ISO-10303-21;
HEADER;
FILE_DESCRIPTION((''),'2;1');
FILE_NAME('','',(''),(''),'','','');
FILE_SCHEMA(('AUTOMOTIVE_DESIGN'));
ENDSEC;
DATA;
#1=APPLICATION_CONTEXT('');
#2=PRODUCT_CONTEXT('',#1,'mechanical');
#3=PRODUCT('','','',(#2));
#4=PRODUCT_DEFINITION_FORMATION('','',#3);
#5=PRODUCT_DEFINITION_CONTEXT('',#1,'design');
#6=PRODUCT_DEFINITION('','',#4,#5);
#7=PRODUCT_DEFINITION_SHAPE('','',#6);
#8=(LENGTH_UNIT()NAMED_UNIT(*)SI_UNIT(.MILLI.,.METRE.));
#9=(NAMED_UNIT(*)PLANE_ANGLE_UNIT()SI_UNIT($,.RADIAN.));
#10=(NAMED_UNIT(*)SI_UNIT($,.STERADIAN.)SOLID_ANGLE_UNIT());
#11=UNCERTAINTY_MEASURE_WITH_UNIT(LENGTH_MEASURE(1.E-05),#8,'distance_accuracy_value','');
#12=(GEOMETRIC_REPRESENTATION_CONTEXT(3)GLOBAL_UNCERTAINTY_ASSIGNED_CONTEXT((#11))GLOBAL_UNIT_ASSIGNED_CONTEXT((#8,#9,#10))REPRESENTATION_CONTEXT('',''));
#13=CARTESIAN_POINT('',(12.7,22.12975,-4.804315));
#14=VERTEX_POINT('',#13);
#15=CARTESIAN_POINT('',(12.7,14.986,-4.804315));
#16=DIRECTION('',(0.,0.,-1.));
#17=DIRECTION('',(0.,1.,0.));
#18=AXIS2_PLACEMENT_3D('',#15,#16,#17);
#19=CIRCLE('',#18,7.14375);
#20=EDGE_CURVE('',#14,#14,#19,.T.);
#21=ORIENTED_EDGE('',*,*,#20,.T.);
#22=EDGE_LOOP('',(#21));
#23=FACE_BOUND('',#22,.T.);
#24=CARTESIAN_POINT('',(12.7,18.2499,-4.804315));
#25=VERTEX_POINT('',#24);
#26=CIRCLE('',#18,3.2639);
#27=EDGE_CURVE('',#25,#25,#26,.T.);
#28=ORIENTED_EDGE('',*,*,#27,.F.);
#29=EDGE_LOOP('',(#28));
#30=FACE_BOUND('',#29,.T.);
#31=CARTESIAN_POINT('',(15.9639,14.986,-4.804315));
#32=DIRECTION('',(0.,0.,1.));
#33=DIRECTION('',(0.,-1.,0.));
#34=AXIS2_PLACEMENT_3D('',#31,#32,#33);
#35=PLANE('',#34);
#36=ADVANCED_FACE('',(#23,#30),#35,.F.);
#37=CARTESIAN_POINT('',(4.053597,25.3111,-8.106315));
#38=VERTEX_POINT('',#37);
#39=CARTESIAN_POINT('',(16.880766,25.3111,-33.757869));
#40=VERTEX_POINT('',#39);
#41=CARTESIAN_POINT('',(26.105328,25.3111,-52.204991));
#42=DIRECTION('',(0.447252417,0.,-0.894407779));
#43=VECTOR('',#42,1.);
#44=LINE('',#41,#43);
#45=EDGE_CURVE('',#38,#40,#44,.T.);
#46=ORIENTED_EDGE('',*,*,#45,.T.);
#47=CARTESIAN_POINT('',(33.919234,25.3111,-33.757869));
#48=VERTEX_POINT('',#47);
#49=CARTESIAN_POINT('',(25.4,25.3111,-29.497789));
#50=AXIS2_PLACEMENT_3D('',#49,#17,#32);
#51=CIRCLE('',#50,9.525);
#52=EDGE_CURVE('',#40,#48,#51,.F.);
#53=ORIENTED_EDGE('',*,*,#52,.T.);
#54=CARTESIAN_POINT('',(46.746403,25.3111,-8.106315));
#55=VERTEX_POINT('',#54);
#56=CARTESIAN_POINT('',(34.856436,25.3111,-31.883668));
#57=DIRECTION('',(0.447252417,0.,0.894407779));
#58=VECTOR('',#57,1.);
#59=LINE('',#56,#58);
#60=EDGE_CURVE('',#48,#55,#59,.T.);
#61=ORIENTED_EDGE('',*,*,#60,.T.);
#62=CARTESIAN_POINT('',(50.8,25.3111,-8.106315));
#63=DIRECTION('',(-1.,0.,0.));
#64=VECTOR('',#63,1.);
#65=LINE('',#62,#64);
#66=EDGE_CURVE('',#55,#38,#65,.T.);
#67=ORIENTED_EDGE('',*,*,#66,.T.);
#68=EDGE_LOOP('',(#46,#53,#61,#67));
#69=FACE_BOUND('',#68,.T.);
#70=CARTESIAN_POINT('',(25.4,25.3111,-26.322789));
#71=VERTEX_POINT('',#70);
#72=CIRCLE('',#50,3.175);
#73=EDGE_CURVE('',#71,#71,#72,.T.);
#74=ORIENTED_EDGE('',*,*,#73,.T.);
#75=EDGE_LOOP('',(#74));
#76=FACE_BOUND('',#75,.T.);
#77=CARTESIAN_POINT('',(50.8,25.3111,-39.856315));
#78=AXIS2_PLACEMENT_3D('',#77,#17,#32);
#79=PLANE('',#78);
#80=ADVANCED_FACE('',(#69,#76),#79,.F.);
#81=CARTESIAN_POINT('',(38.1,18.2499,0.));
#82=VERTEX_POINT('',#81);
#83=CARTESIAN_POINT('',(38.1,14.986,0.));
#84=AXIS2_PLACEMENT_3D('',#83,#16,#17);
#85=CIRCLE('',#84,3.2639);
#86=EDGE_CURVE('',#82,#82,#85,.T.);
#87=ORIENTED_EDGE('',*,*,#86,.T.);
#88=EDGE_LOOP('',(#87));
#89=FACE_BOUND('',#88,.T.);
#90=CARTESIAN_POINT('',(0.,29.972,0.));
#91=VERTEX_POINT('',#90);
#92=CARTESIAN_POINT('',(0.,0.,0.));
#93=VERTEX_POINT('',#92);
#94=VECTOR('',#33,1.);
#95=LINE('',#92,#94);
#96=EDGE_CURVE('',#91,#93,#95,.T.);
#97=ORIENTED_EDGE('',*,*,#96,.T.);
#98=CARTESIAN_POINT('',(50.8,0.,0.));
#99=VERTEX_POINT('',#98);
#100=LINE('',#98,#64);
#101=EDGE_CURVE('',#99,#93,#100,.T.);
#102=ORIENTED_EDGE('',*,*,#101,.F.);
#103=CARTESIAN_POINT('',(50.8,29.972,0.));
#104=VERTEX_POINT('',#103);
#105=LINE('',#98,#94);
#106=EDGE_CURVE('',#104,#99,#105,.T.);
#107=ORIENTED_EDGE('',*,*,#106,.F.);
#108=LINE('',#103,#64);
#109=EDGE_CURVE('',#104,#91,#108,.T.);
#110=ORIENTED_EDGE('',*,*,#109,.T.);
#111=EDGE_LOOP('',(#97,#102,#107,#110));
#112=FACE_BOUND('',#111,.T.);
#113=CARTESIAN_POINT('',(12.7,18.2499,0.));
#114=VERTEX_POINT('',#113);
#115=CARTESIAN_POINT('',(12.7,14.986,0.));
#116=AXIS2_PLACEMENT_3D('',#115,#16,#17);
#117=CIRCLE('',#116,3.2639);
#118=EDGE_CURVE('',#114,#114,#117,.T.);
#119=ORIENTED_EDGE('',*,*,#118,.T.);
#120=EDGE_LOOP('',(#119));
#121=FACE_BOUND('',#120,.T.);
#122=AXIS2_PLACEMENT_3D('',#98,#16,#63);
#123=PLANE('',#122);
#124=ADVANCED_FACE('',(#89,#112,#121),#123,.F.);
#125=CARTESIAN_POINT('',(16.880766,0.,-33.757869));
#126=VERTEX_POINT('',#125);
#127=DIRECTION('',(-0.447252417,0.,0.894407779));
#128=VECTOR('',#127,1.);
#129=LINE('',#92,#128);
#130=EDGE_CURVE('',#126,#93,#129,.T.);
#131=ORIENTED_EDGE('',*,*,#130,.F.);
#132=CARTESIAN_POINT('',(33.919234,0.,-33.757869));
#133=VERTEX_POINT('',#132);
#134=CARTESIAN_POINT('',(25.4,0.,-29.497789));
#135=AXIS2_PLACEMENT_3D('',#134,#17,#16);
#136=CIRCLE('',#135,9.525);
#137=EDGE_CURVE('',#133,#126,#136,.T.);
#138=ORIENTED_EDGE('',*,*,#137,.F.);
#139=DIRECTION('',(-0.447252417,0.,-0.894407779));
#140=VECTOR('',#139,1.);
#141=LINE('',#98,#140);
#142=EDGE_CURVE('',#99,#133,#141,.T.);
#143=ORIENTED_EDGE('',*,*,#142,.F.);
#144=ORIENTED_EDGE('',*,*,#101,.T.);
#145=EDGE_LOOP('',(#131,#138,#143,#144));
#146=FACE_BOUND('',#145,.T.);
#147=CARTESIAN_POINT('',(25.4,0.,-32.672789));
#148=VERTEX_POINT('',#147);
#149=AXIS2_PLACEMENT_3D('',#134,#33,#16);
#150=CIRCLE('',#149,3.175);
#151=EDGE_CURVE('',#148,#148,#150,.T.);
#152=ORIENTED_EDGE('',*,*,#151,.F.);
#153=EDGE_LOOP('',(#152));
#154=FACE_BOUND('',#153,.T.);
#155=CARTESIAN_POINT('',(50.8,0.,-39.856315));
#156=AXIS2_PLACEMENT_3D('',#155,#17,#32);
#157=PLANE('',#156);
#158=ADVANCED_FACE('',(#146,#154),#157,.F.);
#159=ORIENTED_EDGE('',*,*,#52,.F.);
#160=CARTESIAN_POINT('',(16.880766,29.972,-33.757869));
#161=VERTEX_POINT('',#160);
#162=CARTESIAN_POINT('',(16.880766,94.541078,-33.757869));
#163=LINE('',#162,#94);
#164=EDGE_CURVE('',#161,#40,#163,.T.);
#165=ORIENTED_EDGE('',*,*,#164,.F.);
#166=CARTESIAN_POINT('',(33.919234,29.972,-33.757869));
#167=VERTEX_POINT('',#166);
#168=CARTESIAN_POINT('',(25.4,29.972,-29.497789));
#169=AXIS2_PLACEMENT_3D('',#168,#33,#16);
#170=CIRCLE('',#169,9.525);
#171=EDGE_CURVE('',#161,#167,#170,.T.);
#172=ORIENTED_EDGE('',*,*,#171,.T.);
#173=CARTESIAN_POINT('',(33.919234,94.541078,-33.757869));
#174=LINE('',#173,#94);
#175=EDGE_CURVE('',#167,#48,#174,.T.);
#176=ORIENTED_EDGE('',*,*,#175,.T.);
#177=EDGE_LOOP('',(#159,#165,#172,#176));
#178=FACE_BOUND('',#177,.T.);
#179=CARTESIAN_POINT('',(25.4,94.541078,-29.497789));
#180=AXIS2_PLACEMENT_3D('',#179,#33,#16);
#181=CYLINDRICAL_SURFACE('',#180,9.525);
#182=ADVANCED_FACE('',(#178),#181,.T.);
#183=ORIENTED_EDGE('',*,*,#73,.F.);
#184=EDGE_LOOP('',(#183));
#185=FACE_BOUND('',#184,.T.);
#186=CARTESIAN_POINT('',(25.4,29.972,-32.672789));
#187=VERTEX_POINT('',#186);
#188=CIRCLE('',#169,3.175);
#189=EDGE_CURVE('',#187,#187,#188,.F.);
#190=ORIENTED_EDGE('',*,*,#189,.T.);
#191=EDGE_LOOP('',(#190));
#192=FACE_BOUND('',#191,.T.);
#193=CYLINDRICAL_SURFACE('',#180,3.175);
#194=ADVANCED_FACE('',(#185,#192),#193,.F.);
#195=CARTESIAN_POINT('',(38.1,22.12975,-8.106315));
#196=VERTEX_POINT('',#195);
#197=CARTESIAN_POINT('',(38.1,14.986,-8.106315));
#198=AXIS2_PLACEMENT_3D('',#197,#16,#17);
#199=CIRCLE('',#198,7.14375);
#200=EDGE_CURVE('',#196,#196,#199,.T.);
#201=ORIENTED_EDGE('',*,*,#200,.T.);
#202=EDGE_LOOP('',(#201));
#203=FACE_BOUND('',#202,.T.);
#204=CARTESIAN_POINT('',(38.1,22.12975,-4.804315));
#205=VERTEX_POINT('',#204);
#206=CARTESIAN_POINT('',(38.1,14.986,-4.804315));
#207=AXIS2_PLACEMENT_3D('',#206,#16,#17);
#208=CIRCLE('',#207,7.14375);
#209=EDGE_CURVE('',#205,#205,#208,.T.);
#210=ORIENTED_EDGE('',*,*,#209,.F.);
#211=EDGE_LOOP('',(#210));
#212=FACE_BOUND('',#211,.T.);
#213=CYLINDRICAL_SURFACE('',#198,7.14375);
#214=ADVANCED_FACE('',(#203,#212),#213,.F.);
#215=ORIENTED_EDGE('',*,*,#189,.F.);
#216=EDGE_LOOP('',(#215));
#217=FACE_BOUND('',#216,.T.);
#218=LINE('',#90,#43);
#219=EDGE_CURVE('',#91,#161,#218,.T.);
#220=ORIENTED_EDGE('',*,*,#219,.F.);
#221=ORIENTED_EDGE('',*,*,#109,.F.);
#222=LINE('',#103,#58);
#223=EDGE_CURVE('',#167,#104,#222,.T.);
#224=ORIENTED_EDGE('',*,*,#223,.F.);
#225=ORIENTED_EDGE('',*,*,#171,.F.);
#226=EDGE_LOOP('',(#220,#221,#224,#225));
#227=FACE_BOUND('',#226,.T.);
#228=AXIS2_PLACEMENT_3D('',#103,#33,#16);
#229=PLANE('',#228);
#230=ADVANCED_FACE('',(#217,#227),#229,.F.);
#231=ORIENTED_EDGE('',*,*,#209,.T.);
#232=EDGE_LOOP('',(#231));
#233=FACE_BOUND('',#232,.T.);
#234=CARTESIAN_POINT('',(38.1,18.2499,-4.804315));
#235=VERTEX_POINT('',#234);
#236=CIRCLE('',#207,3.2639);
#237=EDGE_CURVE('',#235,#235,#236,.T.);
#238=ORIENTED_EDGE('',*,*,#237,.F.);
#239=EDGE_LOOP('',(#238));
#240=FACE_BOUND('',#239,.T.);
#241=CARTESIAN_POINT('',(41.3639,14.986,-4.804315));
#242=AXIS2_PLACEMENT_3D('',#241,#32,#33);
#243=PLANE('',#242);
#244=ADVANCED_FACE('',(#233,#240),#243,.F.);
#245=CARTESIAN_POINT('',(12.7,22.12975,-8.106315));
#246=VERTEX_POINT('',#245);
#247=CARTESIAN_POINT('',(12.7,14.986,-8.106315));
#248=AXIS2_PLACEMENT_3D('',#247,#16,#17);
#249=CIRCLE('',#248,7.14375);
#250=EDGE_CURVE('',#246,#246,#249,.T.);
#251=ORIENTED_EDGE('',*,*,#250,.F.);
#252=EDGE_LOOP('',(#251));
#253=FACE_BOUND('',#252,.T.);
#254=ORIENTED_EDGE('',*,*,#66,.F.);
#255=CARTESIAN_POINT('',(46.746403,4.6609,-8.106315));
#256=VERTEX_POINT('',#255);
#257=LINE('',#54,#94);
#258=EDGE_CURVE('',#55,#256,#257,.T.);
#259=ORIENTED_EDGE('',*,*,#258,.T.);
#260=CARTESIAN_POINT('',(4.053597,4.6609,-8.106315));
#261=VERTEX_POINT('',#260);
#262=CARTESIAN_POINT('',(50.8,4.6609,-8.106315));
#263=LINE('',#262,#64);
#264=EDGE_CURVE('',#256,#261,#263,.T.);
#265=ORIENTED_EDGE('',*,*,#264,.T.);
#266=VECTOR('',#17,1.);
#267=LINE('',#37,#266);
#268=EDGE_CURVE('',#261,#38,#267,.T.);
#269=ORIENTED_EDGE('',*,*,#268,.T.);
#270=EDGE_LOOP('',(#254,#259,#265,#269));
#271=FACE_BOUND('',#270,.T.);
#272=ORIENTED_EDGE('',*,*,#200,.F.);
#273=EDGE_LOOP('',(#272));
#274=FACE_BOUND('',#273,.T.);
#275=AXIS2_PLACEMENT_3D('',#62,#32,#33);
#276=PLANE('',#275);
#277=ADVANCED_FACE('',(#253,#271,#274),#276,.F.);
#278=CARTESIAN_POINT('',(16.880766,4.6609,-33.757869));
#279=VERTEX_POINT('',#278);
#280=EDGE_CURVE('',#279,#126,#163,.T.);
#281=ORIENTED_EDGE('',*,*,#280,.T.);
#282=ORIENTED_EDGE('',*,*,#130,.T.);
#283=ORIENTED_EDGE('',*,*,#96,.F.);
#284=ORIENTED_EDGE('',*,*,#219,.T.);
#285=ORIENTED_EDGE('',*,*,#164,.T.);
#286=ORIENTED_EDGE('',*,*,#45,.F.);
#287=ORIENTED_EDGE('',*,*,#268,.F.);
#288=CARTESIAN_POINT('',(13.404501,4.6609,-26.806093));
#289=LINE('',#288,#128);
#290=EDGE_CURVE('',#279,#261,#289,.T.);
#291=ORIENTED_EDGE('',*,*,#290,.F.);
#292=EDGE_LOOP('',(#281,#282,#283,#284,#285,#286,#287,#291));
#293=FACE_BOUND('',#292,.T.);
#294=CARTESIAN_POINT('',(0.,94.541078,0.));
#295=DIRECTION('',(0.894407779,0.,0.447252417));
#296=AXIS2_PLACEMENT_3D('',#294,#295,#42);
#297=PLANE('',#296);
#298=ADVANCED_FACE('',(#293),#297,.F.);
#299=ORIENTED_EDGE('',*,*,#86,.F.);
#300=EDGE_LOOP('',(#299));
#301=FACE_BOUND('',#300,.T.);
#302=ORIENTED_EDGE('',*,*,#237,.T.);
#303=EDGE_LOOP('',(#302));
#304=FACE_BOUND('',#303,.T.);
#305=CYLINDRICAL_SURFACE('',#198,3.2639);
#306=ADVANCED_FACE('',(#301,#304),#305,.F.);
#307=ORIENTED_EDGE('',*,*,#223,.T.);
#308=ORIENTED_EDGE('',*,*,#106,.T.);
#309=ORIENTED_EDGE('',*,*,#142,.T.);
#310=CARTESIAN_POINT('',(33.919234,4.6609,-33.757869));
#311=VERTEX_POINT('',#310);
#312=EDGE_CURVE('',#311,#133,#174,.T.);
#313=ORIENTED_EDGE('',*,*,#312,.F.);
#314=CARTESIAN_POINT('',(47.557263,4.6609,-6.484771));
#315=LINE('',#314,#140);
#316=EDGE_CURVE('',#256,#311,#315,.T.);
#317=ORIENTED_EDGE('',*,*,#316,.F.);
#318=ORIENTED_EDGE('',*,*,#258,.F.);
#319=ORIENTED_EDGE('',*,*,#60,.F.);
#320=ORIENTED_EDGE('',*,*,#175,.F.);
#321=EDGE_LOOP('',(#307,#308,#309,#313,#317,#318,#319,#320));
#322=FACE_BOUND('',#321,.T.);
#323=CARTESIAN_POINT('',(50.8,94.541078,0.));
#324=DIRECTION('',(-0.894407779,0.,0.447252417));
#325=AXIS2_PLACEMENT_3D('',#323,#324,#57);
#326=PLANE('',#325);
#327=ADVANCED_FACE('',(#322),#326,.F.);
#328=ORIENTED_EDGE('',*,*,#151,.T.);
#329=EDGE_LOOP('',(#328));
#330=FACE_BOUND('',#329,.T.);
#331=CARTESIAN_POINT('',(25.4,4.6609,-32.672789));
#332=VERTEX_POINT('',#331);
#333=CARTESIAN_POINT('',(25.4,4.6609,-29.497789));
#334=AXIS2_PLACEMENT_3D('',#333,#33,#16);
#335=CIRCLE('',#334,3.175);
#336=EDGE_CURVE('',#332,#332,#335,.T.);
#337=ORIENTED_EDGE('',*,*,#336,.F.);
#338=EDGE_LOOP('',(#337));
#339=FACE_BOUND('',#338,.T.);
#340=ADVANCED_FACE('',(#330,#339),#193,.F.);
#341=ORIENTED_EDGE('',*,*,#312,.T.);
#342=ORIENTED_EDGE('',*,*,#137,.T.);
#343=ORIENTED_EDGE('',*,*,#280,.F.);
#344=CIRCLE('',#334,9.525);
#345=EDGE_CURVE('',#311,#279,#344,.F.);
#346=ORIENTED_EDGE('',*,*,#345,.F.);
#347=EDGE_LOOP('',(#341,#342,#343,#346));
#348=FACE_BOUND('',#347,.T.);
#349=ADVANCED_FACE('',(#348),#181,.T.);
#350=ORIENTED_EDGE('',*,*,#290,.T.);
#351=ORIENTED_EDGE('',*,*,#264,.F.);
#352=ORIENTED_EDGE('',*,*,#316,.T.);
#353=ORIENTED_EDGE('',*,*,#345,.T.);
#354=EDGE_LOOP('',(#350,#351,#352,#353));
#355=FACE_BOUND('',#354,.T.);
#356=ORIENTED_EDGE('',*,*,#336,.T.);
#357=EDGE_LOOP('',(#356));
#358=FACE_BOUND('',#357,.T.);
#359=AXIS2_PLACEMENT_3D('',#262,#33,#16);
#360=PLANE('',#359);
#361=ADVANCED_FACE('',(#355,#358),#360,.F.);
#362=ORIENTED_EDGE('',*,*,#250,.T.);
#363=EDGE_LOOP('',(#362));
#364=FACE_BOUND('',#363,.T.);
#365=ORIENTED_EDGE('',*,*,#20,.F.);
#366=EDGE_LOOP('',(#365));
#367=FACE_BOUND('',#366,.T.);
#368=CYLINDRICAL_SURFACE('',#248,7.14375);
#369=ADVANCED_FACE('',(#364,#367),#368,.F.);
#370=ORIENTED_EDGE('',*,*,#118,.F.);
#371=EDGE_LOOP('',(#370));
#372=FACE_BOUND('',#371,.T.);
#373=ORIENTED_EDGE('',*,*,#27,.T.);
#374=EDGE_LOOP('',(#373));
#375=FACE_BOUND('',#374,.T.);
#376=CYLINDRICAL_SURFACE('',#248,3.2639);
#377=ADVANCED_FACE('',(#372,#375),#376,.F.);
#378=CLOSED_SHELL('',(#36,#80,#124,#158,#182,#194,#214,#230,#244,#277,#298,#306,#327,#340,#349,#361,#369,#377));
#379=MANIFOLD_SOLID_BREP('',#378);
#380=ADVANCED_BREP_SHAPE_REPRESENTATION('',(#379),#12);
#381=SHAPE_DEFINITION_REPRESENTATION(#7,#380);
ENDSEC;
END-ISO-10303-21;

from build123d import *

# Parameters (mm, degrees)
BOSS_EXTRUDE1_DEPTH                                  = 50.8
CBORE_FOR_1_4_BINDING_HEAD_MACHINE_SCREW_D           = 6.5278
CBORE_FOR_1_4_BINDING_HEAD_MACHINE_SCREW_CBORE_D     = 14.2875
CBORE_FOR_1_4_BINDING_HEAD_MACHINE_SCREW_CBORE_DEPTH = 3.302
CUT_EXTRUDE1_REACH                                   = 73.186
SKETCH4_R                                            = 3.175


with BuildPart() as part:
    # Sketch1 → Boss-Extrude1 (new body)
    with BuildSketch(Plane(origin=(0, 0, 0), x_dir=(0, 0, -1), z_dir=(1, 0, 0))):
        Polygon((0, 0), (0, 29.972), (39.856315031, 29.972), (39.856315031, 25.3111), (8.106315031, 25.3111), (8.106315031, 4.6609), (39.856315031, 4.6609), (39.856315031, 0), align=None)
    extrude(amount=BOSS_EXTRUDE1_DEPTH)

    # CBORE for 1/4 Binding Head Machine Screw1 (through all)
    with Locations(Plane(origin=(0, 0, -8.106315031), x_dir=(-1, 0, 0), z_dir=(0, 0, -1))):
        with Locations((-12.7, 14.986), (-38.1, 14.986)):
            CounterBoreHole(CBORE_FOR_1_4_BINDING_HEAD_MACHINE_SCREW_D / 2, CBORE_FOR_1_4_BINDING_HEAD_MACHINE_SCREW_CBORE_D / 2, CBORE_FOR_1_4_BINDING_HEAD_MACHINE_SCREW_CBORE_DEPTH)

    # Cut-Extrude1: up to this face of the body (flat: up to its plane)
    cut_extrude1_end = Plane(part.part.faces().sort_by_distance((25.4, 29.972, -19.928157515))[0])
    # Sketch4 → Cut-Extrude1 (cut, up to the picked face)
    with BuildSketch(Plane.XZ, mode=Mode.PRIVATE) as cut_extrude1_sk1:
        with Locations(Location((25.4, -29.497789369, 0), (0, 0, 270))):
            Circle(SKETCH4_R)
    cut_extrude1_tool1 = split(extrude(cut_extrude1_sk1.sketch, amount=-CUT_EXTRUDE1_REACH, mode=Mode.PRIVATE), bisect_by=cut_extrude1_end, keep=Keep.BOTH, mode=Mode.PRIVATE)
    # Sketch4 → Cut-Extrude1 (cut, up to the picked face)
    with BuildSketch(Plane.XZ, mode=Mode.PRIVATE) as cut_extrude1_sk2:
        with BuildLine():
            Line((0, 0), (16.880765903, -33.757868641))
            ThreePointArc((16.880765903, -33.757868641), (25.4, -39.022789369), (33.919234097, -33.757868641))
            Line((33.919234097, -33.757868641), (50.8, 0))
            Line((50.8, 0), (50.8, -39.856315031))
            Line((50.8, -39.856315031), (0, -39.856315031))
            Line((0, -39.856315031), (0, 0))
        make_face()
    cut_extrude1_tool2 = split(extrude(cut_extrude1_sk2.sketch, amount=-CUT_EXTRUDE1_REACH, mode=Mode.PRIVATE), bisect_by=cut_extrude1_end, keep=Keep.BOTH, mode=Mode.PRIVATE)
    add(cut_extrude1_tool1.solids().sort_by(Axis((25.4, 0, -29.497789), (0, 1, 0)))[0], mode=Mode.SUBTRACT)
    add(cut_extrude1_tool2.solids().sort_by(Axis((7.862872, 0, -17.167721), (0, 1, 0)))[0], mode=Mode.SUBTRACT)


solid = part.part
